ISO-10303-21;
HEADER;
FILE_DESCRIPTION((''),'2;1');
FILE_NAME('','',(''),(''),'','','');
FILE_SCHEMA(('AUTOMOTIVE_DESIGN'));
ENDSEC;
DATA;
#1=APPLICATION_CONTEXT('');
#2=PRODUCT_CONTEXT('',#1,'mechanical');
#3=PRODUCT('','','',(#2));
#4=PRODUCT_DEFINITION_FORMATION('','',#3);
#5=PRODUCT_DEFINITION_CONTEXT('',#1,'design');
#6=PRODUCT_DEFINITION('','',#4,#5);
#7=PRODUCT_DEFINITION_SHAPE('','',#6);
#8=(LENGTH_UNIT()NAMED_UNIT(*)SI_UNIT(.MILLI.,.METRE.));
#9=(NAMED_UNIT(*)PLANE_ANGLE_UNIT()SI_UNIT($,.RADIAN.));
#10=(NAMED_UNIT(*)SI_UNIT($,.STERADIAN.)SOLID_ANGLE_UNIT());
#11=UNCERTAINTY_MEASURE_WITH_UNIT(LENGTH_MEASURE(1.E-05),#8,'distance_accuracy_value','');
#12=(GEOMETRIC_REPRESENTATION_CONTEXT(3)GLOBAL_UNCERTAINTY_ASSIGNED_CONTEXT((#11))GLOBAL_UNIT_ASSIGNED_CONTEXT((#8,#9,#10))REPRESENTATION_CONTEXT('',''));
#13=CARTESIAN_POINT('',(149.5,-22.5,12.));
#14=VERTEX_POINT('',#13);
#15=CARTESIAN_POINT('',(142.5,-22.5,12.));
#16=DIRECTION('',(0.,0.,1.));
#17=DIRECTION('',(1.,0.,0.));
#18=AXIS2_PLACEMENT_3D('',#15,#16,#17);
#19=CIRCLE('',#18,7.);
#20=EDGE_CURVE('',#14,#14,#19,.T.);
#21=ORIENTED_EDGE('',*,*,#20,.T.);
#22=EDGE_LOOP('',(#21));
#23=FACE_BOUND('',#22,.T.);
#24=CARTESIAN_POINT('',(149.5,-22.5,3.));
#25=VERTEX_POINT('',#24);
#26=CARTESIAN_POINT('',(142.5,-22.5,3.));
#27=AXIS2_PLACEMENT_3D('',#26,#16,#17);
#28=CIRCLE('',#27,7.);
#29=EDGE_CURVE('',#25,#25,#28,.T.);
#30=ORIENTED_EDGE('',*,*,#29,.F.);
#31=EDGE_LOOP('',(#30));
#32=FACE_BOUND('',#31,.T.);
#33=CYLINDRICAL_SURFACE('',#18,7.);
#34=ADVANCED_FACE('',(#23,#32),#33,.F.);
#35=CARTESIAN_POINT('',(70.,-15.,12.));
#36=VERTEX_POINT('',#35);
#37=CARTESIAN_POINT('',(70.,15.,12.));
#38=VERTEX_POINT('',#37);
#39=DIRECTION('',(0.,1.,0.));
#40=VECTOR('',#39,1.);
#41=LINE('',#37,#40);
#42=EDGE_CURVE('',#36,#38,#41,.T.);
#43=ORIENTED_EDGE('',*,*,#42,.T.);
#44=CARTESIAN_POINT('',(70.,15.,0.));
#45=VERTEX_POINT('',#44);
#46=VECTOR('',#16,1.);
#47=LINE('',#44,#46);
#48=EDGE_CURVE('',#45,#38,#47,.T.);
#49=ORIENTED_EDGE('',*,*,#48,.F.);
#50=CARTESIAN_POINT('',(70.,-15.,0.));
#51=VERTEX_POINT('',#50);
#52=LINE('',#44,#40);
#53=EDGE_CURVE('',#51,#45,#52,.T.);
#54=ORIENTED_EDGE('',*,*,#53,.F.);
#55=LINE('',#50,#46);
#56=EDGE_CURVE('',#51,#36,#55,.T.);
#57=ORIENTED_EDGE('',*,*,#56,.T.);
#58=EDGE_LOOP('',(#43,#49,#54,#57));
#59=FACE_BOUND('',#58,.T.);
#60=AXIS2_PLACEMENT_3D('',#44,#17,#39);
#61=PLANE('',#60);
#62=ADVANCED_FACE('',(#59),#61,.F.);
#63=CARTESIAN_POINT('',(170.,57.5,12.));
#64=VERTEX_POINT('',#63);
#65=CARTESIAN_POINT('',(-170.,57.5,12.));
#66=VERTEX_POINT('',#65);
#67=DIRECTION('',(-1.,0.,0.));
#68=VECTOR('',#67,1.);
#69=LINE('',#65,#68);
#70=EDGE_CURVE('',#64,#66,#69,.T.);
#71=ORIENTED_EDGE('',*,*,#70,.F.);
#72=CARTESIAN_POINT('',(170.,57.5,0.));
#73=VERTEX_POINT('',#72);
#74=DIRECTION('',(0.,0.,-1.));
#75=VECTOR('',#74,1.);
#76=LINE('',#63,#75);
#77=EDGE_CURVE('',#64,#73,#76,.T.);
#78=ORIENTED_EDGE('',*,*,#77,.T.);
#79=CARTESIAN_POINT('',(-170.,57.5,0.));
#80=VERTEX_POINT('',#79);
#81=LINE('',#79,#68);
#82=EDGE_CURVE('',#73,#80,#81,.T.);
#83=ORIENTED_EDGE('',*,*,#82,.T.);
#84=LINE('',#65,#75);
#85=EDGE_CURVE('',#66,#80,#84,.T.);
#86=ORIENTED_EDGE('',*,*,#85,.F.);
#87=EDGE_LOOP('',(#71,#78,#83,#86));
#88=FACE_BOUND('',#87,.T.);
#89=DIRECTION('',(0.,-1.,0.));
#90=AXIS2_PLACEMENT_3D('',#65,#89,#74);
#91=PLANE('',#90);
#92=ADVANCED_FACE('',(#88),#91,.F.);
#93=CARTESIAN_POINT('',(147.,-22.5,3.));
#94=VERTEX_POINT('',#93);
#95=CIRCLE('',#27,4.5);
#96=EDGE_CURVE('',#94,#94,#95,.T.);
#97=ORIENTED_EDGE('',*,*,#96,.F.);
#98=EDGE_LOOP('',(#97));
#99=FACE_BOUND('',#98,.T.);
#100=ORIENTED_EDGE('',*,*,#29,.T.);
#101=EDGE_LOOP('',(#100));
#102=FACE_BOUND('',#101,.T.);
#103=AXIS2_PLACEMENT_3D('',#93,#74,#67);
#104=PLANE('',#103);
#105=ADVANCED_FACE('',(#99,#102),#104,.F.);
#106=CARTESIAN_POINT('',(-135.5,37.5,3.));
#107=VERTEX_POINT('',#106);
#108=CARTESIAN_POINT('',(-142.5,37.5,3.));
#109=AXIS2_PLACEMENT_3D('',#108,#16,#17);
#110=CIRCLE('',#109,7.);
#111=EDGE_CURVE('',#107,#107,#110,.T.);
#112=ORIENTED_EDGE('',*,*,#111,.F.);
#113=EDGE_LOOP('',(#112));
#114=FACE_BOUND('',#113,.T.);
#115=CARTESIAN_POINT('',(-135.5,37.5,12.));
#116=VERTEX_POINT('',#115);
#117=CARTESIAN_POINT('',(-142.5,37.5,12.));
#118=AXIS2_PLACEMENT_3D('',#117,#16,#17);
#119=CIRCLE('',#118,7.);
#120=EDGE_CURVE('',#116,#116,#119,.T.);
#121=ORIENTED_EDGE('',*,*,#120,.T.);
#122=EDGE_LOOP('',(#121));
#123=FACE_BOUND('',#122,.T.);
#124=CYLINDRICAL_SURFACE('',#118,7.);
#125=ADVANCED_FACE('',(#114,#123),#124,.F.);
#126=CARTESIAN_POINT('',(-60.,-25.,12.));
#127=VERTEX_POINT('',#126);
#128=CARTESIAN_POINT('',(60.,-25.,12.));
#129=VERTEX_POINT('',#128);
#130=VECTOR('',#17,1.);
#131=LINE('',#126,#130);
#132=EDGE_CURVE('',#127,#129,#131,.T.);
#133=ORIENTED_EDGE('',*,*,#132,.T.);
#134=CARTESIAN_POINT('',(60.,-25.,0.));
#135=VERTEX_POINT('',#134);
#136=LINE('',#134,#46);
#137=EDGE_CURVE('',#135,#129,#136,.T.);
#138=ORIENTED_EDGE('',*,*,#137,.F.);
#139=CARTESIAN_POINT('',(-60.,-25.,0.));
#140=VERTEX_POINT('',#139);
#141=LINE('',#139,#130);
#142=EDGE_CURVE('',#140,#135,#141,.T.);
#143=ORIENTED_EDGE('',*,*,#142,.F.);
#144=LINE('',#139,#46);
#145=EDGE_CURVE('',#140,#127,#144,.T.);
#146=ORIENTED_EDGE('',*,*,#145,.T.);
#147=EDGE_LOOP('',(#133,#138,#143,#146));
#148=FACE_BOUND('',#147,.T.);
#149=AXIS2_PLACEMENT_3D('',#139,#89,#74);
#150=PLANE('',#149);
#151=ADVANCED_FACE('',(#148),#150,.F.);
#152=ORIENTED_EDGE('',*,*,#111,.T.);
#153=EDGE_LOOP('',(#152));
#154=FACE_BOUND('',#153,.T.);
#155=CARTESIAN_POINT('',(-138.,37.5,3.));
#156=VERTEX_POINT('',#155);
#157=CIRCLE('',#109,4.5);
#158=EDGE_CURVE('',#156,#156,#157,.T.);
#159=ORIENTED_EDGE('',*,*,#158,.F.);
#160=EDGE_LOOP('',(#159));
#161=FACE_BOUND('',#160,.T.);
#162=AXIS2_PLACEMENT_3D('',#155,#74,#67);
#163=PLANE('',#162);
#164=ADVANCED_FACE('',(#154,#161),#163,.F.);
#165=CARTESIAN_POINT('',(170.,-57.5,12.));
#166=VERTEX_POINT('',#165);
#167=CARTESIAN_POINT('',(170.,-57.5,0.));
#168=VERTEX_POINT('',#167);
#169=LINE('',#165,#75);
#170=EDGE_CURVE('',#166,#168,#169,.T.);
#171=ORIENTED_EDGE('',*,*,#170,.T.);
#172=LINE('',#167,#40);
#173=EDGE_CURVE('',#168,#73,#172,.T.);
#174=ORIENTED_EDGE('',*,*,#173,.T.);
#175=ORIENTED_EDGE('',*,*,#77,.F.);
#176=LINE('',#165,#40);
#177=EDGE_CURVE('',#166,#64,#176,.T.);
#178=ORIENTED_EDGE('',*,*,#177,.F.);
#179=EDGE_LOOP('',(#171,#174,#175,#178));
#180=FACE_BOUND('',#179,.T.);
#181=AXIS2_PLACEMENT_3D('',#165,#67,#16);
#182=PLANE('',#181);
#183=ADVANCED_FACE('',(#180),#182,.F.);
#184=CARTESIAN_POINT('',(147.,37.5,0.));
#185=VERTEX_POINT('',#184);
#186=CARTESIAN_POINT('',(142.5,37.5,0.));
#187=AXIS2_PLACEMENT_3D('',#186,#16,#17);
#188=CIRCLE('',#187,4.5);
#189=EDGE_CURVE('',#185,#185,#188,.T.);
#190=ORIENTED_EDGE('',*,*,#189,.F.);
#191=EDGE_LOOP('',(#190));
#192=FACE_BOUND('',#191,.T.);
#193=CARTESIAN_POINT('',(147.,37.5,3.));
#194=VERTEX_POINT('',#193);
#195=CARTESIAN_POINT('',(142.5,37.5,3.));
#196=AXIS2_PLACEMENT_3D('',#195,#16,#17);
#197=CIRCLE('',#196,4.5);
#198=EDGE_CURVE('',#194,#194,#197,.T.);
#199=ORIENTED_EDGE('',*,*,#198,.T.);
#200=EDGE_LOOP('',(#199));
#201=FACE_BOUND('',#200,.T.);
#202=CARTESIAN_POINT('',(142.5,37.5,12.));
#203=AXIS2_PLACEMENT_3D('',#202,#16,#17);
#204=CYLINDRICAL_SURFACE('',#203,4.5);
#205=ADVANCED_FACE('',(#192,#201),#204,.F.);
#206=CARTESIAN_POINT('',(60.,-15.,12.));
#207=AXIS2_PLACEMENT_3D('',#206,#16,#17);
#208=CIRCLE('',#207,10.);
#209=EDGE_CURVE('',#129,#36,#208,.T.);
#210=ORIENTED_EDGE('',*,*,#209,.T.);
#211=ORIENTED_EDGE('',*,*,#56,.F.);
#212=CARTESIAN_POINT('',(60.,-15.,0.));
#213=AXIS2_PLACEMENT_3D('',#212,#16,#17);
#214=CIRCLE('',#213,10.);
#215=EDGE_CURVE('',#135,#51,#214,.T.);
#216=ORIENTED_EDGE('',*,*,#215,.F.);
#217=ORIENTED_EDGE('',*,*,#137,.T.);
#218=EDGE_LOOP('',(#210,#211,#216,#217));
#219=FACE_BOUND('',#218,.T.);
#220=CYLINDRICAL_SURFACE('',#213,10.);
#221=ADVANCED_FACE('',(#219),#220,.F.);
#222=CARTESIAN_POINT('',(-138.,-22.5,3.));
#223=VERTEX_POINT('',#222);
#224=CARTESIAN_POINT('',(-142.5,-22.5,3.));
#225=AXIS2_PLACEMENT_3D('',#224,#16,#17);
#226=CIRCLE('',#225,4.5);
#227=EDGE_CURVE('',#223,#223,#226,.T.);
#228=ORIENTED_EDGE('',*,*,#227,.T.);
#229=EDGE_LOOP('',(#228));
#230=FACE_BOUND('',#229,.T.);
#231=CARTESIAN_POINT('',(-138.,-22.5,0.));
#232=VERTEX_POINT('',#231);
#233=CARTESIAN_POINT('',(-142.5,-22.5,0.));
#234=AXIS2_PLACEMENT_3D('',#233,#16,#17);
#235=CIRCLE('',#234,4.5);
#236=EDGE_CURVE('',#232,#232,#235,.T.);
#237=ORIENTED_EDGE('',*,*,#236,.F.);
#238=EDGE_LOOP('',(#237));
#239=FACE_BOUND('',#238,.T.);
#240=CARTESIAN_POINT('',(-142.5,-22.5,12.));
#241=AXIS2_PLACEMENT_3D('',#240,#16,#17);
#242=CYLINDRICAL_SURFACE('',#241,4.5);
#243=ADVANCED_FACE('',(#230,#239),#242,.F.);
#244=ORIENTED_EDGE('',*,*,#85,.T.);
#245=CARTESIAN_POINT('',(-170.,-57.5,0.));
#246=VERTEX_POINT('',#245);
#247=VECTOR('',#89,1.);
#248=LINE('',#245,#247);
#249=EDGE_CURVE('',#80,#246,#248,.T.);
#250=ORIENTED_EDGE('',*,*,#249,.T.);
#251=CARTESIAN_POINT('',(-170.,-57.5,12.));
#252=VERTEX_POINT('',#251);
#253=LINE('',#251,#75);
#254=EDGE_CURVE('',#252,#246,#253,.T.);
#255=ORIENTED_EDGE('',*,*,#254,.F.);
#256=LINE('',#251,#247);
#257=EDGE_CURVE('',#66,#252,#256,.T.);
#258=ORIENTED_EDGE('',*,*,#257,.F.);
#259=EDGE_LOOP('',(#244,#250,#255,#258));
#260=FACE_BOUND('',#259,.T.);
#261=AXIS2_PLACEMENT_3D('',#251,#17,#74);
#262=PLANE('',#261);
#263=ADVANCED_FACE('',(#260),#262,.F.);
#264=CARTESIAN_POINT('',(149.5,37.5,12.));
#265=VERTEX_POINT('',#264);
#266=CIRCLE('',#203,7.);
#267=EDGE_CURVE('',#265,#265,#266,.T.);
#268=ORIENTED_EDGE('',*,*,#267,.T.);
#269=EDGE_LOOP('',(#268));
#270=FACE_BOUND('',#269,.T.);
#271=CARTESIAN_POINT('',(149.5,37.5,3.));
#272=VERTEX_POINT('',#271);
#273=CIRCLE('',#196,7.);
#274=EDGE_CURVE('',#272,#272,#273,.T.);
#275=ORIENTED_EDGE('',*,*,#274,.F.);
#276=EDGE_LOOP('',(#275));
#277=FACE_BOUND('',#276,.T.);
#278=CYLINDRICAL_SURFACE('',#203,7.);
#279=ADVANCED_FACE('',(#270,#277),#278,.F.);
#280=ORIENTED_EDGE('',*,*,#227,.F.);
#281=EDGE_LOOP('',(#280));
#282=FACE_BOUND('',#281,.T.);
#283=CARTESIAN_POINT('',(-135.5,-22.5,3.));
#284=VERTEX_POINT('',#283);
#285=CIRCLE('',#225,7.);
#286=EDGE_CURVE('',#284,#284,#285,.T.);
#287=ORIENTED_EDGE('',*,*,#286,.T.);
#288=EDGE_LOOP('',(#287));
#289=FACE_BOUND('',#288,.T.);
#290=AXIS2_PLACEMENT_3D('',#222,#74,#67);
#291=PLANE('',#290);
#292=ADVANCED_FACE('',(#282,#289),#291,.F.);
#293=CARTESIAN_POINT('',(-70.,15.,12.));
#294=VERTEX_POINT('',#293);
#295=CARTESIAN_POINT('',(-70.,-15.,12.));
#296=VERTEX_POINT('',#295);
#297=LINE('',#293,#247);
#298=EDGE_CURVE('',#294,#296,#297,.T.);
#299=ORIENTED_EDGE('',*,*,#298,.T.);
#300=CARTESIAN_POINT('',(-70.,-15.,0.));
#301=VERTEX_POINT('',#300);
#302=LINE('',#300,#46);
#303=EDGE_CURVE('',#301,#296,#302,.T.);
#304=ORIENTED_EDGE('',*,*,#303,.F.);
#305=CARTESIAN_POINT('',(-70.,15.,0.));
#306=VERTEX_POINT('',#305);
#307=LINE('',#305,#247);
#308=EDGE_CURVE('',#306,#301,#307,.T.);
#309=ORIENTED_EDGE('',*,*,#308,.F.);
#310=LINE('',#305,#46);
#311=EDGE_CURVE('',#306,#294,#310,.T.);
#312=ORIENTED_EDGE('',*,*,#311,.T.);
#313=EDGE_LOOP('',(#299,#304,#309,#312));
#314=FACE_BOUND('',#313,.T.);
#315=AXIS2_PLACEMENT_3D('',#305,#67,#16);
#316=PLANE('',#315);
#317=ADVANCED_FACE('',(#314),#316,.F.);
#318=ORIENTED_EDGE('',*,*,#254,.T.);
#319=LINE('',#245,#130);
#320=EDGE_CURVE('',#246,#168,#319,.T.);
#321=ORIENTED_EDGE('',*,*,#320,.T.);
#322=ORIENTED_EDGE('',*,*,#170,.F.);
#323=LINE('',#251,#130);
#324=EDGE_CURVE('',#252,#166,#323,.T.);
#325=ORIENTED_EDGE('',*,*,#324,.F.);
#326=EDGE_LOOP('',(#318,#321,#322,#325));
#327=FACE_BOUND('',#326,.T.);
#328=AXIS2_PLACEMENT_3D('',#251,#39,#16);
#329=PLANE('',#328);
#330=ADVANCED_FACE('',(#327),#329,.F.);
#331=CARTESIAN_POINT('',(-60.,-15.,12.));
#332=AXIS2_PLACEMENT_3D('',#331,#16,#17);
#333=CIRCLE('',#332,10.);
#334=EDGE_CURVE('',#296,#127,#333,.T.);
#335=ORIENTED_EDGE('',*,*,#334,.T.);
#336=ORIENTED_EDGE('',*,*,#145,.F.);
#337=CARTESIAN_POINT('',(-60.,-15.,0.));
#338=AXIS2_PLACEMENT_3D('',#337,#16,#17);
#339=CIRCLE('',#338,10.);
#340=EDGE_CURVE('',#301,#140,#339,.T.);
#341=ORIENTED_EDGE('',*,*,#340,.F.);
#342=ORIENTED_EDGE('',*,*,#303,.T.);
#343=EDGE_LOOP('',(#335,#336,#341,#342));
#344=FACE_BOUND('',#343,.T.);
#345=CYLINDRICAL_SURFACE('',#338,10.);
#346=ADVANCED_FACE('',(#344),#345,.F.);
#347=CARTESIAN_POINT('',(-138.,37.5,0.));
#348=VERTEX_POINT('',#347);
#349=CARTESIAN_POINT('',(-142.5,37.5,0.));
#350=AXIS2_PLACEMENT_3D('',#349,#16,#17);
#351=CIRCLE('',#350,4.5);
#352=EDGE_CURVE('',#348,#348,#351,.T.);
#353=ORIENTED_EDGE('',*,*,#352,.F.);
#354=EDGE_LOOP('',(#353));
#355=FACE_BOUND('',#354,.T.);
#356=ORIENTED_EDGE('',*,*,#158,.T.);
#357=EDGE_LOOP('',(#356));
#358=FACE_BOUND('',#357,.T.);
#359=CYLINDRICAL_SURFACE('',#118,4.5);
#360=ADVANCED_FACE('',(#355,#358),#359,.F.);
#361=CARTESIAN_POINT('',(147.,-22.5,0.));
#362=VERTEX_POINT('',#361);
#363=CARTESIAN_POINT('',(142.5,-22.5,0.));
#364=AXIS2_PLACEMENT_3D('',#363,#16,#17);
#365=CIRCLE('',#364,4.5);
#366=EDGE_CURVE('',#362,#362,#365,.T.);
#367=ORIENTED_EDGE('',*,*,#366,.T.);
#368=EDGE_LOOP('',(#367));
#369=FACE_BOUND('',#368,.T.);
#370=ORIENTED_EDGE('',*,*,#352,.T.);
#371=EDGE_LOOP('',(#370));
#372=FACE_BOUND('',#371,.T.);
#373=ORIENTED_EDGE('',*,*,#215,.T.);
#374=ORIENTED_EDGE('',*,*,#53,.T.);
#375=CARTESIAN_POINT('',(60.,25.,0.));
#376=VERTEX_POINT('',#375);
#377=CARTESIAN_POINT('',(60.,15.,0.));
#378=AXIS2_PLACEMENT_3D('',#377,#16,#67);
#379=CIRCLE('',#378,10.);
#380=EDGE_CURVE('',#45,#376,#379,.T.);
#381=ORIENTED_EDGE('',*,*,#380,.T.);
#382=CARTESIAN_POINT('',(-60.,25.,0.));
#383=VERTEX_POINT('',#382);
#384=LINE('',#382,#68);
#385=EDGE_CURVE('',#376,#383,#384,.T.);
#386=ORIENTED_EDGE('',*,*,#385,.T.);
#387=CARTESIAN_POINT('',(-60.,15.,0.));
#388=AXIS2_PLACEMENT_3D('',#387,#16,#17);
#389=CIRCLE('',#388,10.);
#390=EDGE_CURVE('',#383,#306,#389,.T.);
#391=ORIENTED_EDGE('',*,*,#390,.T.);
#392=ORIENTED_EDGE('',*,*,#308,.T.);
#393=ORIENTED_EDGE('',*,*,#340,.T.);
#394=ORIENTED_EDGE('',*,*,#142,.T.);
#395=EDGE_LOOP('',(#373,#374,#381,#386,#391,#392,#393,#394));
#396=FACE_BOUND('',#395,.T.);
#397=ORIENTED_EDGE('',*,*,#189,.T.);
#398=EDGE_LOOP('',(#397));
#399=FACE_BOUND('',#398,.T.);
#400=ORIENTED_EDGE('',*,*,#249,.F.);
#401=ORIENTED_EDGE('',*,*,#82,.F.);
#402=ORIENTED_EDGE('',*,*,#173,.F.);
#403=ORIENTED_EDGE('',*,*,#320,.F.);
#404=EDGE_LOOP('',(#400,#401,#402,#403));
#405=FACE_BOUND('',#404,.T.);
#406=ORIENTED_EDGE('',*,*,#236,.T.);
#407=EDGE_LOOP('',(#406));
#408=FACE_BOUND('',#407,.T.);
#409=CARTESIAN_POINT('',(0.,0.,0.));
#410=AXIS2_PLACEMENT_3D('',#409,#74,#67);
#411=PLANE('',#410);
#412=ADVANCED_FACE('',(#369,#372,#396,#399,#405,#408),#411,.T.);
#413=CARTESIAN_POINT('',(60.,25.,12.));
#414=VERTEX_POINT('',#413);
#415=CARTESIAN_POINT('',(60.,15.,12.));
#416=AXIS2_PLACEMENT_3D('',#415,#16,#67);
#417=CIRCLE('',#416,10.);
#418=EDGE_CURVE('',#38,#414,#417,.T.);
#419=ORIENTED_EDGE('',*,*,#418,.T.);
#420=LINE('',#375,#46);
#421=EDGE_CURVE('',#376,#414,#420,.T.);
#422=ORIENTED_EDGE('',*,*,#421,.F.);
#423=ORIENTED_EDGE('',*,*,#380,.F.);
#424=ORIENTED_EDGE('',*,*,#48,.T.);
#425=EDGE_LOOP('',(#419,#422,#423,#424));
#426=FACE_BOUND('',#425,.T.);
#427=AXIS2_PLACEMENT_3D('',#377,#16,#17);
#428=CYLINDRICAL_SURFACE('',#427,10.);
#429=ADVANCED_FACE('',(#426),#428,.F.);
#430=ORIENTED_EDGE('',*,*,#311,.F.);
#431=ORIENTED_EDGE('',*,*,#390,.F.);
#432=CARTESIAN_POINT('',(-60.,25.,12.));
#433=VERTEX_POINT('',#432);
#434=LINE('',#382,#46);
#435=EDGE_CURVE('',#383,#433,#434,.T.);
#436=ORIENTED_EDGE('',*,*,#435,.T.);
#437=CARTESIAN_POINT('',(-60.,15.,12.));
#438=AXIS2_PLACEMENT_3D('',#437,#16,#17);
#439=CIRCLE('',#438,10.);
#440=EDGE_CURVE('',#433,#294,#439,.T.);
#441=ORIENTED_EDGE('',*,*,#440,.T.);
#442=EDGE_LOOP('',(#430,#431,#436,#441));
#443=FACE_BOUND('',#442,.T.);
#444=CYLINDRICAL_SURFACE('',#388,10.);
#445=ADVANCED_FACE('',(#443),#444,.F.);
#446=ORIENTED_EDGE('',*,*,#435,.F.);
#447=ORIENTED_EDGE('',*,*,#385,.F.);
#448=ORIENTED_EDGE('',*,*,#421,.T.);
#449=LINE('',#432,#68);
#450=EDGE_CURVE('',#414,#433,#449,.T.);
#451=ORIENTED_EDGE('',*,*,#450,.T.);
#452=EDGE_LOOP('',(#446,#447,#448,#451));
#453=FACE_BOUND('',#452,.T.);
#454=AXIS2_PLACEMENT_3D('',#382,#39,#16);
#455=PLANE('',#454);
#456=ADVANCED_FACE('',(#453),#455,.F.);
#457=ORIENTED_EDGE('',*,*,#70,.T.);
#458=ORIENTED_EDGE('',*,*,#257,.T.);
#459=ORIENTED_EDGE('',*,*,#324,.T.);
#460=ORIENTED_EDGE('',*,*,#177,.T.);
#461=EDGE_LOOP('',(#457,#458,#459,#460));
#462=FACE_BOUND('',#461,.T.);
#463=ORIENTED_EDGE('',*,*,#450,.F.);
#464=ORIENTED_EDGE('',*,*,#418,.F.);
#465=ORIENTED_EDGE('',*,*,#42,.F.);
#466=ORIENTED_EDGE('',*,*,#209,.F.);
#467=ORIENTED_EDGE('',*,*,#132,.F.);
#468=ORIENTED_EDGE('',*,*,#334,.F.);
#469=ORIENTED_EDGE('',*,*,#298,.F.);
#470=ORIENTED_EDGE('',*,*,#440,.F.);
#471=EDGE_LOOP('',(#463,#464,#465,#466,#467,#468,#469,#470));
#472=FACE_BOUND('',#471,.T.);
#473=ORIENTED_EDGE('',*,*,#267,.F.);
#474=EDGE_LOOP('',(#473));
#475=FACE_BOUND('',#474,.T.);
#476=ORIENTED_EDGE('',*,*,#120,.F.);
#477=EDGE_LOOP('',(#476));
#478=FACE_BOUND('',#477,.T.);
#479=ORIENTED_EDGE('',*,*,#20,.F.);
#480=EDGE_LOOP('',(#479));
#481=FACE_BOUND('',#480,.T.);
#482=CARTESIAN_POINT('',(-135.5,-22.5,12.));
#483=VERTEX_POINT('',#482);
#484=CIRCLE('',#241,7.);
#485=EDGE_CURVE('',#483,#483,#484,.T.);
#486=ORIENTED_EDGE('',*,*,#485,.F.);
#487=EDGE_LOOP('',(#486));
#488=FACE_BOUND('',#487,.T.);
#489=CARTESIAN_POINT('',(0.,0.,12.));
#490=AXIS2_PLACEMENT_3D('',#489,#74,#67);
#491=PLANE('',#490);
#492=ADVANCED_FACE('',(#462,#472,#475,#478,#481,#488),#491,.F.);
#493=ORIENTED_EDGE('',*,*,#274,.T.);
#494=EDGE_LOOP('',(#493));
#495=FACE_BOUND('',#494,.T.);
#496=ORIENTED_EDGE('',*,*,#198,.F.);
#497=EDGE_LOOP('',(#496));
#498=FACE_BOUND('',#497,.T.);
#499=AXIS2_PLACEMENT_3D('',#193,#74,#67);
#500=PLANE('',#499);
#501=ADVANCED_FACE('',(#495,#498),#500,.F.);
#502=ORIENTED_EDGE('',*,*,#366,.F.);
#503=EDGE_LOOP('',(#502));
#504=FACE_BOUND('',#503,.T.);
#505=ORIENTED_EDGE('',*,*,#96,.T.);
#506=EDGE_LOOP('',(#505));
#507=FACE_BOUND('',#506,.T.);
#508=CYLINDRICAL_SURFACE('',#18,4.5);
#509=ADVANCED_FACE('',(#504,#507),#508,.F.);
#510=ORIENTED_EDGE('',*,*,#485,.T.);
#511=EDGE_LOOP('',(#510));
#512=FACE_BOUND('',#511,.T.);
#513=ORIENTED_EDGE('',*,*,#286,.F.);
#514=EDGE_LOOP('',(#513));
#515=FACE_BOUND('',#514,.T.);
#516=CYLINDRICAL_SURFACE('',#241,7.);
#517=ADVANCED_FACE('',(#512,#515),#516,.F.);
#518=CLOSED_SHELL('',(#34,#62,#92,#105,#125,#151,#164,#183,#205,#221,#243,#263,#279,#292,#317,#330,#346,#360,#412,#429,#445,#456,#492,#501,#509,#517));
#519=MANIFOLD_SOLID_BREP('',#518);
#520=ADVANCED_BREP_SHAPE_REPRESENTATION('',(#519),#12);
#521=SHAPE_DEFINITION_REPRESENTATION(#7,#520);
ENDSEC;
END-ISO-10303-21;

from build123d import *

# Parameters (mm, degrees)
SKETCH_1_W                = 340
SKETCH_1_H                = 115
EXTRUDE_1_DEPTH           = 12
HOLE_WIZARD_1_D           = 9
HOLE_WIZARD_1_CBORE_D     = 14
HOLE_WIZARD_1_CBORE_DEPTH = 9
CUT_EXTRUDE_1_DEPTH       = 13


with BuildPart() as part:
    # 草图1 → 凸台-拉伸1 (new body)
    with BuildSketch(Plane.XY):
        Rectangle(SKETCH_1_W, SKETCH_1_H)
    extrude(amount=EXTRUDE_1_DEPTH)

    # 打孔尺寸(%根据)内六角圆柱头螺钉的类型1 (through all)
    with Locations(Plane.XY.offset(12)):
        with Locations((-142.5, 37.5), (142.5, 37.5), (142.5, -22.5), (-142.5, -22.5)):
            CounterBoreHole(HOLE_WIZARD_1_D / 2, HOLE_WIZARD_1_CBORE_D / 2, HOLE_WIZARD_1_CBORE_DEPTH)

    # 草图4 → 切除-拉伸1 (cut, through all)
    with BuildSketch(Plane.XY.offset(12)):
        with BuildLine():
            Line((-60, 25), (60, 25))
            ThreePointArc((60, 25), (67.071067812, 22.071067812), (70, 15))
            Line((70, 15), (70, -15))
            ThreePointArc((70, -15), (67.071067812, -22.071067812), (60, -25))
            Line((60, -25), (-60, -25))
            ThreePointArc((-60, -25), (-67.071067812, -22.071067812), (-70, -15))
            Line((-70, -15), (-70, 15))
            ThreePointArc((-70, 15), (-67.071067812, 22.071067812), (-60, 25))
        make_face()
    extrude(amount=-CUT_EXTRUDE_1_DEPTH, mode=Mode.SUBTRACT)


solid = part.part
